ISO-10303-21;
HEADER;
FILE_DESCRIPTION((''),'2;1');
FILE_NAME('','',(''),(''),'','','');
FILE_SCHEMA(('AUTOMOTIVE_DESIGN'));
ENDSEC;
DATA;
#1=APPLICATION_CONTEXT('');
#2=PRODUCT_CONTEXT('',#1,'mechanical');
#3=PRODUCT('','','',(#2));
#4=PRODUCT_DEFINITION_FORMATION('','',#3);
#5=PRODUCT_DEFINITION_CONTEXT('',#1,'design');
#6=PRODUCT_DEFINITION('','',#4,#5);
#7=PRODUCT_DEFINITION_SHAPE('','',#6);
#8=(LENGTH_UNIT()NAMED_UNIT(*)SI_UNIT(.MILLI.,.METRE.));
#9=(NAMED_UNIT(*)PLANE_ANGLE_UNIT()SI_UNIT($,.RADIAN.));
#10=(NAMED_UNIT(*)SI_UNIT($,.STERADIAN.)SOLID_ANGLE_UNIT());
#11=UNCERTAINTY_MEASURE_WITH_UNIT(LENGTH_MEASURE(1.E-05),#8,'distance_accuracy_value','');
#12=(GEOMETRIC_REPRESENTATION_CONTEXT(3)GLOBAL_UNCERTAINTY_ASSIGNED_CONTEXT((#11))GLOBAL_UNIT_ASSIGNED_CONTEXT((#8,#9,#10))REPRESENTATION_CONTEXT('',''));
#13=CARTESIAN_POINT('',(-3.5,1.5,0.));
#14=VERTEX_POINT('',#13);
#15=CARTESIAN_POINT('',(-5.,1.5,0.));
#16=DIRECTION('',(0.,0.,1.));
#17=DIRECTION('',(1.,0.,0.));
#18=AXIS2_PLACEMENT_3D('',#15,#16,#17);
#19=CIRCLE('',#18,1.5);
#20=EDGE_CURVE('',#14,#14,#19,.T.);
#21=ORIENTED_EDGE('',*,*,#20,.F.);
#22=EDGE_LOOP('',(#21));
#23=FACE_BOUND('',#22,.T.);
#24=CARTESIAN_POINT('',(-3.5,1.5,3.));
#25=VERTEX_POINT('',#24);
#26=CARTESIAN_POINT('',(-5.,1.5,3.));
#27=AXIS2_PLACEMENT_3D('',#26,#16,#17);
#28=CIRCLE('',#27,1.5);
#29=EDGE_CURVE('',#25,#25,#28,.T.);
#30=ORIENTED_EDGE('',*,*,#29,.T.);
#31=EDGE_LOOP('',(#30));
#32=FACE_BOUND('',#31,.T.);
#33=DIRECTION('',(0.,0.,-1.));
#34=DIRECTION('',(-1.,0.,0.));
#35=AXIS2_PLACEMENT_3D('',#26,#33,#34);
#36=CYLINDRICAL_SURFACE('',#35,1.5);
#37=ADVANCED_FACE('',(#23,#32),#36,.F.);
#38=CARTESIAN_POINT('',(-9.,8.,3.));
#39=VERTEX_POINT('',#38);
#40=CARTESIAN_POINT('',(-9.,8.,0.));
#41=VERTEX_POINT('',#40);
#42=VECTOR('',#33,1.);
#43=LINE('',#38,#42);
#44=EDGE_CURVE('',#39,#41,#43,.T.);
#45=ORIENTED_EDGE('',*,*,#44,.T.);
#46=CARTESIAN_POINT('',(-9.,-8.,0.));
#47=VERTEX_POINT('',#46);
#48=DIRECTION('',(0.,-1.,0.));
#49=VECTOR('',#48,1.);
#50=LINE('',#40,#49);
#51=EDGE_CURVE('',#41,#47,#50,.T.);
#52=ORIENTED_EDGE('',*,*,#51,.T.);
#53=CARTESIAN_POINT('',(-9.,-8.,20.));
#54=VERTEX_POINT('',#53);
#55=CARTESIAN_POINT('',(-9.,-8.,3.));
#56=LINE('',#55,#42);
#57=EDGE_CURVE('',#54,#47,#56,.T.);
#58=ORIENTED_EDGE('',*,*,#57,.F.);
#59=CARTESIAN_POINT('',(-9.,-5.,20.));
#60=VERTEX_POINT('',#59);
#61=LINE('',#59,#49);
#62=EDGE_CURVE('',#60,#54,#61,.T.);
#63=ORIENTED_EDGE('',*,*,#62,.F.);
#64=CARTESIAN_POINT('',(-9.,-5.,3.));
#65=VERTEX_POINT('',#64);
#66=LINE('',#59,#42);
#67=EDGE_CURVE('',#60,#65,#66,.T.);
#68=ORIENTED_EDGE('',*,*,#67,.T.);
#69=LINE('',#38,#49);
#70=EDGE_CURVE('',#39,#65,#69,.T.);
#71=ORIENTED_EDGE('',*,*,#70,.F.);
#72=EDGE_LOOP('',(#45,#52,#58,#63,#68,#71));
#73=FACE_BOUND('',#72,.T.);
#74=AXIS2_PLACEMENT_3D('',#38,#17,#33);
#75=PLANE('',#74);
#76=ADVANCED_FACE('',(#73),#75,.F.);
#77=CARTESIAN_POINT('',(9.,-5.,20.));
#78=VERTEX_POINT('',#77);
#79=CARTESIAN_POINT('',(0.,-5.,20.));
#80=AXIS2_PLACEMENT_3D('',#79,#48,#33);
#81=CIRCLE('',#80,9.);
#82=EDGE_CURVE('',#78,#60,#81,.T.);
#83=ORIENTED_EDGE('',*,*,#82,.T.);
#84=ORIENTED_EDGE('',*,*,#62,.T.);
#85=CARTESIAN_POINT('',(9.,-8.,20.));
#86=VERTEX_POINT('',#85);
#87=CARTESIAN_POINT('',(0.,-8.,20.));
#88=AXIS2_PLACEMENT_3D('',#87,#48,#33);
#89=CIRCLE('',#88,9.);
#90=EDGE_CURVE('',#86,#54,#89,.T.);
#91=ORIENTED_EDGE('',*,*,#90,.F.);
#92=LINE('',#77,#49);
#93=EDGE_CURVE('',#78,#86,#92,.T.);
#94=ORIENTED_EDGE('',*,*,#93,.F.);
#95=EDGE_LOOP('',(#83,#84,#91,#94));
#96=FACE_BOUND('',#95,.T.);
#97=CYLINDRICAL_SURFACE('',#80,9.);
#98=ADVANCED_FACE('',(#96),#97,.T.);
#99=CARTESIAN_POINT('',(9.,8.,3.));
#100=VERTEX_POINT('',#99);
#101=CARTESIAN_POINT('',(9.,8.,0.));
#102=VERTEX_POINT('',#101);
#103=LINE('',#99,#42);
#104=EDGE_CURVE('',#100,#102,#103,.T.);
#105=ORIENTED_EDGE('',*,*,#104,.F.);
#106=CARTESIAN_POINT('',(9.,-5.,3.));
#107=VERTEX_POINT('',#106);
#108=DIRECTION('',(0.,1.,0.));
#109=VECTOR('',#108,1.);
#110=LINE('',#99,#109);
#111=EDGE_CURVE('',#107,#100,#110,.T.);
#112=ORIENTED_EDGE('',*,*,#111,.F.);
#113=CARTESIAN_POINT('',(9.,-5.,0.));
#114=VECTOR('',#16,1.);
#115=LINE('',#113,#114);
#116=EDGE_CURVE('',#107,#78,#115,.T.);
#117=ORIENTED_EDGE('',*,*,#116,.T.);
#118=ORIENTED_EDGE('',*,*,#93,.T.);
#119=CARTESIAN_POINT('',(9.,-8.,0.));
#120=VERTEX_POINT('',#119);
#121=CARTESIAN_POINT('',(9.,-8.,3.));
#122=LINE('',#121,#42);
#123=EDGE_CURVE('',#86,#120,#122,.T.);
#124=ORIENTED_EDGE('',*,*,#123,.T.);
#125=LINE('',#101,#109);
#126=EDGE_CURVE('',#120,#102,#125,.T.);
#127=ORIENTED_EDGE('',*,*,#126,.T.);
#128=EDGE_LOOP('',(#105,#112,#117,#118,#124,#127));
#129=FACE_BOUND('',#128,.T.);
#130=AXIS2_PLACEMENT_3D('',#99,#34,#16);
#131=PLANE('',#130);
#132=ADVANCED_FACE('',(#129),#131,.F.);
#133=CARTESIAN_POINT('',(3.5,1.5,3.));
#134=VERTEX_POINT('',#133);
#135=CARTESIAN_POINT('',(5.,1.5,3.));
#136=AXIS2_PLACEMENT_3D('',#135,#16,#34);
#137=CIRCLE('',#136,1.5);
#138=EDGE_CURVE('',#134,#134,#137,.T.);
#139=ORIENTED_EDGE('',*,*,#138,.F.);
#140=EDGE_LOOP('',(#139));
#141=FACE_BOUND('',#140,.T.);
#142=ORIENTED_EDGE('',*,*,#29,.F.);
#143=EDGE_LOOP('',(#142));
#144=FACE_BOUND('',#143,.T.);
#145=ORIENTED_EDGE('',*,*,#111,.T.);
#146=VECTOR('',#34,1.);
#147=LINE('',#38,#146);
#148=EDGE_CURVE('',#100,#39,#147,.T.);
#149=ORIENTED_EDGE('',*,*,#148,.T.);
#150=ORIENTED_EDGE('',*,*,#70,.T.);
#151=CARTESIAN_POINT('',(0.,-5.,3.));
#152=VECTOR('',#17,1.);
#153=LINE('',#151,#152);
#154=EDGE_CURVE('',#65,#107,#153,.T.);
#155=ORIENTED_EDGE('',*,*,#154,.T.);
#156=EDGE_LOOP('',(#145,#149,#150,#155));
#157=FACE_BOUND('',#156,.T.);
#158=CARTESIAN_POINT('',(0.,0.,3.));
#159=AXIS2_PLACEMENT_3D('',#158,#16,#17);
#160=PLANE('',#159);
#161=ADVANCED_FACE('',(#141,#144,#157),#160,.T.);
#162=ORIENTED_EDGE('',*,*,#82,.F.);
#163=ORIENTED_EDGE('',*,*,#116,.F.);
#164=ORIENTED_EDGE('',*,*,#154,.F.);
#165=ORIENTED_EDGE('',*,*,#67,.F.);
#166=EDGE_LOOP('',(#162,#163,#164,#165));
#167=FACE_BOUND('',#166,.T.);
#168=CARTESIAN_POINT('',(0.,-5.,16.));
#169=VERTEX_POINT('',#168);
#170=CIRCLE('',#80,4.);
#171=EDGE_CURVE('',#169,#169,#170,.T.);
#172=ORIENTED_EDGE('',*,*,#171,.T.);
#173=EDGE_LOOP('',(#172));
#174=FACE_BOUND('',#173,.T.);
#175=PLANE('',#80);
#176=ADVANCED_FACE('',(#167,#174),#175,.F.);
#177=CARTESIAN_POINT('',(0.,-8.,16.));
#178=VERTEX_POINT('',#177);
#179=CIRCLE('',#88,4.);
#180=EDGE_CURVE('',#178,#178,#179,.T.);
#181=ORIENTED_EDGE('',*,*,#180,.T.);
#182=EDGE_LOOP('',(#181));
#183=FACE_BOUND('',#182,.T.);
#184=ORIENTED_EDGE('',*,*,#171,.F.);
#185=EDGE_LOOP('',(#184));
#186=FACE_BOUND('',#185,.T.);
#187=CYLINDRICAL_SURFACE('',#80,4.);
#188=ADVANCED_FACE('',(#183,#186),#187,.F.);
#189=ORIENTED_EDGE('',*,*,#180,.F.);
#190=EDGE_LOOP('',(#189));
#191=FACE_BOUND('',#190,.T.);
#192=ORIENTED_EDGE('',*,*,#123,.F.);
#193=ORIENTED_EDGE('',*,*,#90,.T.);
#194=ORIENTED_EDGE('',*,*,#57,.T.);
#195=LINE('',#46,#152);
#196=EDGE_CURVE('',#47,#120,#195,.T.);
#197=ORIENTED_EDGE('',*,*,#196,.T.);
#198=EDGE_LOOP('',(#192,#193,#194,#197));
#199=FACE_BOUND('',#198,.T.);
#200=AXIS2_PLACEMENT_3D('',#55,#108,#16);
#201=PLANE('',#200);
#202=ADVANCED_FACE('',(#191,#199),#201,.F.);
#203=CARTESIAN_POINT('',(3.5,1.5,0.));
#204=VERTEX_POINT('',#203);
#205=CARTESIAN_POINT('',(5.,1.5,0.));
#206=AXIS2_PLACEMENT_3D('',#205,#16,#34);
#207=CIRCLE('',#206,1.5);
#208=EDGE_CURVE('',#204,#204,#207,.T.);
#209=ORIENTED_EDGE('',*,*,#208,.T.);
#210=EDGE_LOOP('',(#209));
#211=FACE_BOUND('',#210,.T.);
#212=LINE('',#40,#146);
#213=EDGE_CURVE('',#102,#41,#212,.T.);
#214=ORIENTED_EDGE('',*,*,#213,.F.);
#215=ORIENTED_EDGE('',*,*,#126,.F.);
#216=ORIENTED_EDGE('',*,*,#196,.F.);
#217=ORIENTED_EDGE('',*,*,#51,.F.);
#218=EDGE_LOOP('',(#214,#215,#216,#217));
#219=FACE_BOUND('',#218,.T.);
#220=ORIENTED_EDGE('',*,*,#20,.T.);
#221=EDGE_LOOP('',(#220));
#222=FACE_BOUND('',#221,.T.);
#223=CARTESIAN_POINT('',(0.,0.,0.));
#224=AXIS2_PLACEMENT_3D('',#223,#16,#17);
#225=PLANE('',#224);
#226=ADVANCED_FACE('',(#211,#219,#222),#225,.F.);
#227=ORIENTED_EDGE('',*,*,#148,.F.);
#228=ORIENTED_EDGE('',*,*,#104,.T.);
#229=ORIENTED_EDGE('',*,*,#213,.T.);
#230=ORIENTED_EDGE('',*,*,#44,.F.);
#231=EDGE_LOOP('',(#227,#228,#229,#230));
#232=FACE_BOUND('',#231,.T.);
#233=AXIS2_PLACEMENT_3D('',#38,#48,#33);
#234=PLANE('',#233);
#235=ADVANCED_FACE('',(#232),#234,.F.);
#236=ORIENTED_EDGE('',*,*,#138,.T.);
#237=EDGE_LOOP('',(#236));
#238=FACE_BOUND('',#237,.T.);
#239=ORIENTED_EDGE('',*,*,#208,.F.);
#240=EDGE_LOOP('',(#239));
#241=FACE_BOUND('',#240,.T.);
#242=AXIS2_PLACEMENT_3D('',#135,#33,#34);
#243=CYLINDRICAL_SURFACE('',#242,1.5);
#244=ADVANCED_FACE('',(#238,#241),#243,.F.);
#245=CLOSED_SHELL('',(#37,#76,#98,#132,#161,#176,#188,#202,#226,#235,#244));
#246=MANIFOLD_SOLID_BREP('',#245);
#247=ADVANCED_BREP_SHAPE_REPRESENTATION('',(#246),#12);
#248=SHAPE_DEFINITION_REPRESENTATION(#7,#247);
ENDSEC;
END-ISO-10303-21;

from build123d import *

# Parameters (mm, degrees)
SKETCH_1_W      = 18
SKETCH_1_H      = 16
SKETCH_1_R      = 1.5
EXTRUDE_1_DEPTH = 3
SKETCH_3_R      = 4
EXTRUDE_2_DEPTH = 3


with BuildPart() as part:
    # 草图1 → 凸台-拉伸1 (new body)
    with BuildSketch(Plane.XY):
        Rectangle(SKETCH_1_W, SKETCH_1_H)
        with Locations((-5, 1.5)):
            Circle(SKETCH_1_R, mode=Mode.SUBTRACT)
        with Locations(Location((5, 1.5, 0), (0, 0, 180))):
            Circle(SKETCH_1_R, mode=Mode.SUBTRACT)
    extrude(amount=EXTRUDE_1_DEPTH)

    # 草图3 → 凸台-拉伸2 (add)
    with BuildSketch(Plane.XZ.offset(8)):
        with BuildLine():
            Line((-9, 0), (9, 0))
            Line((9, 0), (9, 20))
            ThreePointArc((9, 20), (0, 29), (-9, 20))
            Line((-9, 20), (-9, 0))
        make_face()
        with Locations(Location((0, 20, 0), (0, 0, 270))):
            Circle(SKETCH_3_R, mode=Mode.SUBTRACT)
    extrude(amount=-EXTRUDE_2_DEPTH)


solid = part.part
